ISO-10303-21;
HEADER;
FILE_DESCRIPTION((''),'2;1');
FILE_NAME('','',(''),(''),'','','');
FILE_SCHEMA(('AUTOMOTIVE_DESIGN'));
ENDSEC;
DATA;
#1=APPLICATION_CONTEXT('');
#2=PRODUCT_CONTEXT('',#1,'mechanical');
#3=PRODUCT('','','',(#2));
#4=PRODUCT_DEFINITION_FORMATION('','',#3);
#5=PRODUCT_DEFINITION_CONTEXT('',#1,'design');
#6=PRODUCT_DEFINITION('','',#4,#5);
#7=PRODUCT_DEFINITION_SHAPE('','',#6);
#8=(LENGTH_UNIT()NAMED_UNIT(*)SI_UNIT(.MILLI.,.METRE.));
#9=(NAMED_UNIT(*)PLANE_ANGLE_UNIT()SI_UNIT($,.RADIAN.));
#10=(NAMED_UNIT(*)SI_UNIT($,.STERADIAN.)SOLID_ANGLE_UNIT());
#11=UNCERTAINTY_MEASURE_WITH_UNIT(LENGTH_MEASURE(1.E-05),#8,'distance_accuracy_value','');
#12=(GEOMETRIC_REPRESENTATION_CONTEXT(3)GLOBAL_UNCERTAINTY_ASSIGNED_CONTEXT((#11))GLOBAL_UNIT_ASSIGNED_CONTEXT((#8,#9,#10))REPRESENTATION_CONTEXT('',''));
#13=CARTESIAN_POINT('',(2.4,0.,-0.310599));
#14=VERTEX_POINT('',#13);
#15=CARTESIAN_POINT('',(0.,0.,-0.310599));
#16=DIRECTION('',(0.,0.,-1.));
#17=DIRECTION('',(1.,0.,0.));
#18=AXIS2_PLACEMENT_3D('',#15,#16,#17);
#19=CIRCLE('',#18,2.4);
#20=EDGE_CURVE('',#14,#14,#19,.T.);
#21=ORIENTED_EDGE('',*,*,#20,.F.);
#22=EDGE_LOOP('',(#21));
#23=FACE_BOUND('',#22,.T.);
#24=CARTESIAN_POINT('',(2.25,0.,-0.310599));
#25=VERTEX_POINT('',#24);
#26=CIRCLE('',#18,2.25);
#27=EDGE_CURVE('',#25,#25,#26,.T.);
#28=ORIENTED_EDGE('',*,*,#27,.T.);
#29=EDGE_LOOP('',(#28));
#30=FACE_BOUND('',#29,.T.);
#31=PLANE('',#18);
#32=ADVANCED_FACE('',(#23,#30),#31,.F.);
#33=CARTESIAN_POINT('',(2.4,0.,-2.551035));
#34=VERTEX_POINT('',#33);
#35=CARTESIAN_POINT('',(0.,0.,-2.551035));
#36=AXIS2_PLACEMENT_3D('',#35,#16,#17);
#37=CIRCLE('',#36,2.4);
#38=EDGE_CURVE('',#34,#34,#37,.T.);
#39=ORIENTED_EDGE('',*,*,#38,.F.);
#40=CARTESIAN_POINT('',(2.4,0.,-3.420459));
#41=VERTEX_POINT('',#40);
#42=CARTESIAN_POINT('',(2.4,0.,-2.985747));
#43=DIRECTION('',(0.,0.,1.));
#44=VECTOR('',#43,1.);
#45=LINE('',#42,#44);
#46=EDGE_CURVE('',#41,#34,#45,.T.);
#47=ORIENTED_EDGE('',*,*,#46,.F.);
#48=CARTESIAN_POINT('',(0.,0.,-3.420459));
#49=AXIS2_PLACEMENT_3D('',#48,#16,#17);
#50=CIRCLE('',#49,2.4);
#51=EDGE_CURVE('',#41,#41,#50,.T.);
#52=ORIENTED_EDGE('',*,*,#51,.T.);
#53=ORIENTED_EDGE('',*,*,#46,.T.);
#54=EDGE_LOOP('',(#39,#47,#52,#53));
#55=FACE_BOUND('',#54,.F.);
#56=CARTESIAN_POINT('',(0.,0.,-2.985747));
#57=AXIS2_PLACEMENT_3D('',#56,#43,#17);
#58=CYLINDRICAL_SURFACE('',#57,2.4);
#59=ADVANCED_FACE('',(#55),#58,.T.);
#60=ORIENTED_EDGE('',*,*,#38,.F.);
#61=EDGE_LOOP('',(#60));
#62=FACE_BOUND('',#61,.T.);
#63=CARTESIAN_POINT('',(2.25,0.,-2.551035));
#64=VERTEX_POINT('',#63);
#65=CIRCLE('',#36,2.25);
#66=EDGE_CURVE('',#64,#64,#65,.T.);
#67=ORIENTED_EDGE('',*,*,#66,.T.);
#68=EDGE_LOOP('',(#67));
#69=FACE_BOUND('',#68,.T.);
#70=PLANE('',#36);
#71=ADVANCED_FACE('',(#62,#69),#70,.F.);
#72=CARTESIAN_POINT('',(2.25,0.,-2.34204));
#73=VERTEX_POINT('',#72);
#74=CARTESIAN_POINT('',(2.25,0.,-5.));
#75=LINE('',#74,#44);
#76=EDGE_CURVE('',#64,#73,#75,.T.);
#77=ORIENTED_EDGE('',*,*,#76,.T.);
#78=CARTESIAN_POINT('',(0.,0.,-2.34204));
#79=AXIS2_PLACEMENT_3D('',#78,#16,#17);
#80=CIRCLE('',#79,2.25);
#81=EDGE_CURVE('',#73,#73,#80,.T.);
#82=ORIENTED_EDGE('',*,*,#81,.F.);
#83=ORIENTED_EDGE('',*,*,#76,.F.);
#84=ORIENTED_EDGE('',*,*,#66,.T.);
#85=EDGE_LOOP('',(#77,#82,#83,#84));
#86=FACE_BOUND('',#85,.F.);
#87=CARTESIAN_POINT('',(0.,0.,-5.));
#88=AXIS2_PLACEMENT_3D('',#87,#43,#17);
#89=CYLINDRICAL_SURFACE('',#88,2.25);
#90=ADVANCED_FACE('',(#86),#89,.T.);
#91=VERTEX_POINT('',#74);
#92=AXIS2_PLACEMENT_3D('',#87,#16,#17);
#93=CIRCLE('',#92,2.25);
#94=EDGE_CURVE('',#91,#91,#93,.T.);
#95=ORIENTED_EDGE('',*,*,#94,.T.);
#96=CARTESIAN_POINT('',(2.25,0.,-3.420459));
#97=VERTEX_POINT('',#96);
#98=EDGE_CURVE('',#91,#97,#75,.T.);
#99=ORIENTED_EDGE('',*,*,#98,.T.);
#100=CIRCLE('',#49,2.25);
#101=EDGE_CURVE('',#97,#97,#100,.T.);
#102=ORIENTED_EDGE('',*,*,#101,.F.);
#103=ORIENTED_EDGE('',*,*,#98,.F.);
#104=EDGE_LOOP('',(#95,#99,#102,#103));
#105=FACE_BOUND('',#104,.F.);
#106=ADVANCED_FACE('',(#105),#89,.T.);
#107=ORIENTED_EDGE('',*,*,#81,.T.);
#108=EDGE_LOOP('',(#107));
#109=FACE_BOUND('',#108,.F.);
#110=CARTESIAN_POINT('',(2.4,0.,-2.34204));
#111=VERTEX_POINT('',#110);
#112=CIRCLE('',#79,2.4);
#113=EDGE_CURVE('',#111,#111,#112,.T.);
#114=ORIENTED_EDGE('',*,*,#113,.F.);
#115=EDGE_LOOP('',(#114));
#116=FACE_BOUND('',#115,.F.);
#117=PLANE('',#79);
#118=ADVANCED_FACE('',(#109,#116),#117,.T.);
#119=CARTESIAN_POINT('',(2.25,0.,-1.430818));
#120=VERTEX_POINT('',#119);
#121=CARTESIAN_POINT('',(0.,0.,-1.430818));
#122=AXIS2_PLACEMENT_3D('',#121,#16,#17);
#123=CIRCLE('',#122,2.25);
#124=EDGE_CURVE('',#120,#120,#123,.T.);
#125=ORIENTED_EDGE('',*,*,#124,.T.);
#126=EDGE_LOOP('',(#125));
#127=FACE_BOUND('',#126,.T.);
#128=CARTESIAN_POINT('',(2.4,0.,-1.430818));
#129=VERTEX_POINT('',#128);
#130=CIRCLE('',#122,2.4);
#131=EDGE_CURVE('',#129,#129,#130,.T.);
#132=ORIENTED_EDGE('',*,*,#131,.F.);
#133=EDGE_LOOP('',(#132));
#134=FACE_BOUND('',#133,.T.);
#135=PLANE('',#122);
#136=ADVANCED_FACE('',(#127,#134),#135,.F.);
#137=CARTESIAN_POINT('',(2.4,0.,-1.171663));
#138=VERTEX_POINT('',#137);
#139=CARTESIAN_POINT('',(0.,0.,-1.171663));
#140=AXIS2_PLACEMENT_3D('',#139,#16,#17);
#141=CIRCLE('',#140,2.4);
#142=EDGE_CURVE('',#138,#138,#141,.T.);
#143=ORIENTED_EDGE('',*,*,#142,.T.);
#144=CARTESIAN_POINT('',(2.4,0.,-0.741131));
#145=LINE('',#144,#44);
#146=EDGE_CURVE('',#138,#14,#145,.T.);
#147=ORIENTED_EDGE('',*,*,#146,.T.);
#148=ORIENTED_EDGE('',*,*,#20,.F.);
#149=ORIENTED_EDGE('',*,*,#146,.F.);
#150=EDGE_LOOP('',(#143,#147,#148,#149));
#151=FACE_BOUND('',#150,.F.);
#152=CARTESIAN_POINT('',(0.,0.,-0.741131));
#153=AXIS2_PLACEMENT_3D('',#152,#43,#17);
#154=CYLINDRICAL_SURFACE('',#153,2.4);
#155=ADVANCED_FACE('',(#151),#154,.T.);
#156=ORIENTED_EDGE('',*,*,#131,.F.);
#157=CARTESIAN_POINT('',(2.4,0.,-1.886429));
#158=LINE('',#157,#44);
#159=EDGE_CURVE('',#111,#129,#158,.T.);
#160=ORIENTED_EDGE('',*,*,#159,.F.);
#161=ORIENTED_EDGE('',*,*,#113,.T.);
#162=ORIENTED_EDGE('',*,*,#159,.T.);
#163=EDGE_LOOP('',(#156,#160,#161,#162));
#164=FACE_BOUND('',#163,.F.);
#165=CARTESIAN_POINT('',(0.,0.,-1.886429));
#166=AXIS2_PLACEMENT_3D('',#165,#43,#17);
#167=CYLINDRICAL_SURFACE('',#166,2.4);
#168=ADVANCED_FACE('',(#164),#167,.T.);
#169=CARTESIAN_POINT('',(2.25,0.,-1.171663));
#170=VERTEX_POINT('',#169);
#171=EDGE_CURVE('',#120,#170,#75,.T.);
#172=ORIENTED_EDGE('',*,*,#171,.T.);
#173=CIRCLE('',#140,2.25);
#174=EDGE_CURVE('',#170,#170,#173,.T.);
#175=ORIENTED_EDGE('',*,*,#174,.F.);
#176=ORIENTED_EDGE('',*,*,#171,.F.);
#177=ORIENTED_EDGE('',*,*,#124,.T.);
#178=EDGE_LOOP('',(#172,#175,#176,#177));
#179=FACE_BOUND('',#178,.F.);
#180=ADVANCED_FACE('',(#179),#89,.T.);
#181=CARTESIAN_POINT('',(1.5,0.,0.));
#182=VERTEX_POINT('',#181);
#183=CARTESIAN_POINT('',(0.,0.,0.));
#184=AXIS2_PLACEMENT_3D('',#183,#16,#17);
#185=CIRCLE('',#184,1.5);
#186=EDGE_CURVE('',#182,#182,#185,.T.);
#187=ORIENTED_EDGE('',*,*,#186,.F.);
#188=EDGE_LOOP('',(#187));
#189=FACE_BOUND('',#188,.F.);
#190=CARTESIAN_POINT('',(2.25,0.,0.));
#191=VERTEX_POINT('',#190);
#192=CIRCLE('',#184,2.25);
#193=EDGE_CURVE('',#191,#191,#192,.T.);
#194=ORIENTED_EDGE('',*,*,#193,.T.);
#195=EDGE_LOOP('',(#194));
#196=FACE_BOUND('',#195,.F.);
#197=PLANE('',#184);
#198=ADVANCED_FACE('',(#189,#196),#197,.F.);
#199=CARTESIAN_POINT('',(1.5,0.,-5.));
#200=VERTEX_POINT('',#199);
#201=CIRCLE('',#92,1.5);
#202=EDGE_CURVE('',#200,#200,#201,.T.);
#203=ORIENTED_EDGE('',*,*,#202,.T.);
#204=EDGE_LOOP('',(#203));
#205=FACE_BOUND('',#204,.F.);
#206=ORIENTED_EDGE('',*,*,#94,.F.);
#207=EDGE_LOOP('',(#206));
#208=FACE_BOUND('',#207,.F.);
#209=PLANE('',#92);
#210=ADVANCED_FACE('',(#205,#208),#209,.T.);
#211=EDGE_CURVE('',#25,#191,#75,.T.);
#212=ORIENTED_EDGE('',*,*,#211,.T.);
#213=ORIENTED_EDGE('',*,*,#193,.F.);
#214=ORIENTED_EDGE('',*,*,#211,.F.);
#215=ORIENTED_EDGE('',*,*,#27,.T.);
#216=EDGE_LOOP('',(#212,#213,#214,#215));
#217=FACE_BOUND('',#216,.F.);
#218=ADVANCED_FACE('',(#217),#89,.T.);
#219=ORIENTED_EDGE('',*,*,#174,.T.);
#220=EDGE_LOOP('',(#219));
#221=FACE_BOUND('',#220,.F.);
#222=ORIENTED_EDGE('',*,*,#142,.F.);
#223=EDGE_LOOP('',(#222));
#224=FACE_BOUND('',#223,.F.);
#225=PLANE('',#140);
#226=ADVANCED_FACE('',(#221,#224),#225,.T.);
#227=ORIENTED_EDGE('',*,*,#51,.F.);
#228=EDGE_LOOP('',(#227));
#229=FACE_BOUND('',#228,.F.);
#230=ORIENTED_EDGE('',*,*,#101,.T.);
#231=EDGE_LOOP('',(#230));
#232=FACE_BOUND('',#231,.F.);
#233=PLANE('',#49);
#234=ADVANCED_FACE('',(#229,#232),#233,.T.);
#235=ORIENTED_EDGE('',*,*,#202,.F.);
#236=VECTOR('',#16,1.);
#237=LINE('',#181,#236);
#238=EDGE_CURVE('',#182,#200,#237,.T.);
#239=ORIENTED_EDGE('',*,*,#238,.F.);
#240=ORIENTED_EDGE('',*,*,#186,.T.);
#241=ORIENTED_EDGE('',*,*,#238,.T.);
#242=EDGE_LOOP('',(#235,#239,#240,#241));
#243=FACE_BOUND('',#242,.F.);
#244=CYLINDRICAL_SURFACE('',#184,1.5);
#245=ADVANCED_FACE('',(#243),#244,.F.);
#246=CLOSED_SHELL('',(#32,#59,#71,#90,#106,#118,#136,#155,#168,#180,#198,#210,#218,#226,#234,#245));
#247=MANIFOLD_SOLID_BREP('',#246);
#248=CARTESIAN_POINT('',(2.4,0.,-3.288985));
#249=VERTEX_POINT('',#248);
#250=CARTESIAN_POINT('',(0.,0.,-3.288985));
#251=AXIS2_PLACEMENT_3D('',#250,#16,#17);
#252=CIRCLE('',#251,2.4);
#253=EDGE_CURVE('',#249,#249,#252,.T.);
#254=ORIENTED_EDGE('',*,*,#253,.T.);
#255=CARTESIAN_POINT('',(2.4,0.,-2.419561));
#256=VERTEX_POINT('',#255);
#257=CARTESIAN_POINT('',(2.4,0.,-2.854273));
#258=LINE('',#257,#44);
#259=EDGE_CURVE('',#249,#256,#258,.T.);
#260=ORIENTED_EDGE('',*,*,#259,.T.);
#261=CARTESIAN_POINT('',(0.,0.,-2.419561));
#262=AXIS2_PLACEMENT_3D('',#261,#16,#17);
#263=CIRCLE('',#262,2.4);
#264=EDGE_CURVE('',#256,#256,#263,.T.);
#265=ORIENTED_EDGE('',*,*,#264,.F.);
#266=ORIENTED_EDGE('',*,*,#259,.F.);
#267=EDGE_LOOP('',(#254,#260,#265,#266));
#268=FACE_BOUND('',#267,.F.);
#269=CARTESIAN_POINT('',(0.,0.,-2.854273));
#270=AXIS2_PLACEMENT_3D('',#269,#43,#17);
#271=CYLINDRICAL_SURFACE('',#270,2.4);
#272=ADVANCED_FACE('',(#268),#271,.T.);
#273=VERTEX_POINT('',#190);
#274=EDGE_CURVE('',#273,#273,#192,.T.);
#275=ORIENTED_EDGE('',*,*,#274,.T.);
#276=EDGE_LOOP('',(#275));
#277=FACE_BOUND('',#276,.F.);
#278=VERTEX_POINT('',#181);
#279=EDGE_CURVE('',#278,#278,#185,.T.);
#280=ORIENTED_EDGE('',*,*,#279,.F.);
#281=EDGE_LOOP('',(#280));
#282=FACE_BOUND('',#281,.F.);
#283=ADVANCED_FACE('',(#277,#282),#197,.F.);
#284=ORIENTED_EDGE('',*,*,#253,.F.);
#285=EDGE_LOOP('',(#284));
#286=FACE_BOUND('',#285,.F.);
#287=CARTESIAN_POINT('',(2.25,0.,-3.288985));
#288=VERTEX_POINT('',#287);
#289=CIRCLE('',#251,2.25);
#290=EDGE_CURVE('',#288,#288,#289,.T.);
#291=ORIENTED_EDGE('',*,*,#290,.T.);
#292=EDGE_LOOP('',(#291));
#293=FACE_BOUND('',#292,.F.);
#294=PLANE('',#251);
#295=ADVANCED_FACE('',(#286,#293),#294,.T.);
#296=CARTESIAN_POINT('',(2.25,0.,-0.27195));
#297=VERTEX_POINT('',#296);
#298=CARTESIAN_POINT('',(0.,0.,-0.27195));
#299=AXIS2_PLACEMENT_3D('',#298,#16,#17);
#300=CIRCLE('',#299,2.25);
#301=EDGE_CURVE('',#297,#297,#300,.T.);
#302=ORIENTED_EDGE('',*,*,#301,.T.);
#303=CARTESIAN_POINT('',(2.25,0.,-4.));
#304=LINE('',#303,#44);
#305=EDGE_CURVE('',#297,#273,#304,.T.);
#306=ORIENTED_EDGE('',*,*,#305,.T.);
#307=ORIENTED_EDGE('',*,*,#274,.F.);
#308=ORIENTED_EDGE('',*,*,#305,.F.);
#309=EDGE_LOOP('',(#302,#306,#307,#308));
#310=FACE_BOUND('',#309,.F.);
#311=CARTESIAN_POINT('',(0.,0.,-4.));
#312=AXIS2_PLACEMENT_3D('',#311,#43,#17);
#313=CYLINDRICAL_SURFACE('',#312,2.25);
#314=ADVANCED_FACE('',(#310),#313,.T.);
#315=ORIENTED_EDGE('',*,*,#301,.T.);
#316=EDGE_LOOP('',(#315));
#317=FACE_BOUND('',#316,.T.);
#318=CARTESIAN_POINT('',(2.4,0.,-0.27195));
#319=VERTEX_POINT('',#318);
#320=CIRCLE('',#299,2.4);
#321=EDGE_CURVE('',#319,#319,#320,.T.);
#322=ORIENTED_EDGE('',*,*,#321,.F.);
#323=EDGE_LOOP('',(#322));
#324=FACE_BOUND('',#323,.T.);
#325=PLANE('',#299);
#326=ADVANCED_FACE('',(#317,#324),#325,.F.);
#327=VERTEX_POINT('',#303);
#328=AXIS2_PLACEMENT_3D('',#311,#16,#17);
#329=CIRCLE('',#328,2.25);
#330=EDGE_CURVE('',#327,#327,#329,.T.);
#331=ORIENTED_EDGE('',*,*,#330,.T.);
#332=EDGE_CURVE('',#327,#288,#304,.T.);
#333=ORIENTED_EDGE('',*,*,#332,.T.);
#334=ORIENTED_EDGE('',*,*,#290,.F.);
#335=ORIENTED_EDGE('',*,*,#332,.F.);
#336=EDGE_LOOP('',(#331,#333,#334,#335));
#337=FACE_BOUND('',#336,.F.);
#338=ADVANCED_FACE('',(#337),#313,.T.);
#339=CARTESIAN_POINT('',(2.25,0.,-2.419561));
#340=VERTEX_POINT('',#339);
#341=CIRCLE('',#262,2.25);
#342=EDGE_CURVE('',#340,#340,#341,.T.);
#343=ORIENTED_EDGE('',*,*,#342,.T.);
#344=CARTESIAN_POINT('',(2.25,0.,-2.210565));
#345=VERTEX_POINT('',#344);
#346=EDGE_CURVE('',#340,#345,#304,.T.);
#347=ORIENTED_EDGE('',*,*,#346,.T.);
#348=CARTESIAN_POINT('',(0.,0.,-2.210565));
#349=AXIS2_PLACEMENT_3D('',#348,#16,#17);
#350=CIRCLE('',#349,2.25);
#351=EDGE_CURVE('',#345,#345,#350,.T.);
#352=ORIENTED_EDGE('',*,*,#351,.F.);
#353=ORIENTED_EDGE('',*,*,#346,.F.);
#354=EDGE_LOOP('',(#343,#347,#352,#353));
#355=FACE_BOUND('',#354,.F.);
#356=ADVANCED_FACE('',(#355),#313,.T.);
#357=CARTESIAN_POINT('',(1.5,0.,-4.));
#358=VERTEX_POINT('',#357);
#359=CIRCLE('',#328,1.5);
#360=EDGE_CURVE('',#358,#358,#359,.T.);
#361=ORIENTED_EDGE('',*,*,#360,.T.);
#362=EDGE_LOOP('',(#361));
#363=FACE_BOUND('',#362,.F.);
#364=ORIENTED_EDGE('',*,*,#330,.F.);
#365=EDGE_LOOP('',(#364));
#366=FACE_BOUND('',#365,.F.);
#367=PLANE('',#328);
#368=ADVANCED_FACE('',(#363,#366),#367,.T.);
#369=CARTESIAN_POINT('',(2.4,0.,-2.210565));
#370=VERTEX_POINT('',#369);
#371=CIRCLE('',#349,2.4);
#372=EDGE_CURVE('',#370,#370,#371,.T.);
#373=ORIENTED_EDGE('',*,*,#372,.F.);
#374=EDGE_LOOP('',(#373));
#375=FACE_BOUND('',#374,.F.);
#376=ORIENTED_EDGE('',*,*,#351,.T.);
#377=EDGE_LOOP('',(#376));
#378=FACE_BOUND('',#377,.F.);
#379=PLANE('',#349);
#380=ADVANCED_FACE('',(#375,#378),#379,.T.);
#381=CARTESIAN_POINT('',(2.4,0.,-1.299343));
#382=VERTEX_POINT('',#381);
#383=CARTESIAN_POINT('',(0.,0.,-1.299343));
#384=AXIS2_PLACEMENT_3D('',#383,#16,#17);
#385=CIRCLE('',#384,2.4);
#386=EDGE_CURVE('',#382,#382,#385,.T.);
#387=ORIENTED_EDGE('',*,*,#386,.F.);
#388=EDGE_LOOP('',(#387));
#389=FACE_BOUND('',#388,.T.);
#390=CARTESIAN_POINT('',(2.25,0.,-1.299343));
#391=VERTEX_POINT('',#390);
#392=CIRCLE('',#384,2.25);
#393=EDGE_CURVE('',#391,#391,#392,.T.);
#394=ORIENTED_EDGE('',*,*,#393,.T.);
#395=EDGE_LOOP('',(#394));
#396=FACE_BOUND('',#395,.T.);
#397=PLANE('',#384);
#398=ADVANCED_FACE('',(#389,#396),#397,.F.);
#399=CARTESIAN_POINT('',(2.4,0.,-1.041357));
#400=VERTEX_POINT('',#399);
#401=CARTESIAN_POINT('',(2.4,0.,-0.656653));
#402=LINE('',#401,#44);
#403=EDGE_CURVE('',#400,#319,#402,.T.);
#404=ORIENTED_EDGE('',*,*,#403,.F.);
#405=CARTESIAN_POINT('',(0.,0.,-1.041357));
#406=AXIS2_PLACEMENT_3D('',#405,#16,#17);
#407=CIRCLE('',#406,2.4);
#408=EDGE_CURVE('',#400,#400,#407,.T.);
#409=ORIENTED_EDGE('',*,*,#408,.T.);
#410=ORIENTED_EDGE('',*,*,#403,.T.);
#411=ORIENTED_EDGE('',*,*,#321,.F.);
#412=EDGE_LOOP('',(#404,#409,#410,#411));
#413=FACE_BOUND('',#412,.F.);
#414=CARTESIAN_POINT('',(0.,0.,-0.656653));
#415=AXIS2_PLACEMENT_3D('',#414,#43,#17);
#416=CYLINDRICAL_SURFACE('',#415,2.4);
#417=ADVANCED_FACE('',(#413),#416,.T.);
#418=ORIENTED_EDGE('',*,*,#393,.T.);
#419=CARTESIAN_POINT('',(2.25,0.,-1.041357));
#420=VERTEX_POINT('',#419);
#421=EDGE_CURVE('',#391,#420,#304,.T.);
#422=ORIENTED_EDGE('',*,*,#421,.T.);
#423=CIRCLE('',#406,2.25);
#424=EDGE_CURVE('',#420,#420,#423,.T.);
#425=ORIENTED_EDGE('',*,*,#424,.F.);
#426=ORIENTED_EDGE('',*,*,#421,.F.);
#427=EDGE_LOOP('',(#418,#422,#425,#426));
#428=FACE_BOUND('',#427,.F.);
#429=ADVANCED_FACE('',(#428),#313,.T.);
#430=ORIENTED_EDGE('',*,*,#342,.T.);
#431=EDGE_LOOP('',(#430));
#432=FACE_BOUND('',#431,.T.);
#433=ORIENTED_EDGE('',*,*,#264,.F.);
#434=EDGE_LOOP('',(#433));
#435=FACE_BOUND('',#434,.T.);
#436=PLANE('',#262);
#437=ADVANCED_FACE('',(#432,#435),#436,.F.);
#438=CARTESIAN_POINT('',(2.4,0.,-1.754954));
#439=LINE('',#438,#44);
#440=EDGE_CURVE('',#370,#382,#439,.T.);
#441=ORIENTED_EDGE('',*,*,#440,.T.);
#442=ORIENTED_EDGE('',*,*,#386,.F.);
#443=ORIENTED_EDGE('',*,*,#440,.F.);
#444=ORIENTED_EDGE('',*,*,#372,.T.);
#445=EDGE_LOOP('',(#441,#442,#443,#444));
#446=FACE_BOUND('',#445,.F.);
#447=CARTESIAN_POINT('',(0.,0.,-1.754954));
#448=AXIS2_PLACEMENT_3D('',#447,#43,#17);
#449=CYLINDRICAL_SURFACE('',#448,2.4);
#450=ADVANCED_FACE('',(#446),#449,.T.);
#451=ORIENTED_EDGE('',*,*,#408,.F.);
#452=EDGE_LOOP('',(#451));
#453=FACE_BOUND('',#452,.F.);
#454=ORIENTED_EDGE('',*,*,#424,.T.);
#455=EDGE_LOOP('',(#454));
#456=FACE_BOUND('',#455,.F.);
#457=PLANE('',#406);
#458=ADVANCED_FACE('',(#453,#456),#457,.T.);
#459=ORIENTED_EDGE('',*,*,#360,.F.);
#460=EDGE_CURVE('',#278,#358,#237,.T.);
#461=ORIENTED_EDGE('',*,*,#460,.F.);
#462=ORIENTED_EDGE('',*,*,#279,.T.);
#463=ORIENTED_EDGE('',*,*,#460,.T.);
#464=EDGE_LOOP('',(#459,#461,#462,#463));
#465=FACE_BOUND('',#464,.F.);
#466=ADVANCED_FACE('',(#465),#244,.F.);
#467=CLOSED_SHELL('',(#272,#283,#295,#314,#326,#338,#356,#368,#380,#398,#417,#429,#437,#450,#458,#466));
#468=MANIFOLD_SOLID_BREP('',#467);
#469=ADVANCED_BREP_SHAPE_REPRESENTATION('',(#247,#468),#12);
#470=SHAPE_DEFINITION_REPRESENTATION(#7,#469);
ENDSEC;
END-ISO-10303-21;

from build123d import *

# Parameters (mm, degrees)
F0_W   = 0.15
F0_H   = 0.861064
F0_H_2 = 0.869423
F0_H_3 = 0.911222
F2_W   = 0.15
F2_H   = 0.769407
F2_H_2 = 0.869423
F2_H_3 = 0.911223


with BuildPart() as f1:
    # F0 (on Front) → F1 (revolve)
    with BuildSketch(Plane.XZ):
        Polygon((2.25, 0), (1.5, 0), (1.5, -5), (2.25, -5), (2.25, -3.420459), (2.25, -2.551036), (2.25, -2.34204), (2.25, -1.430818), (2.25, -1.171663), (2.25, -0.310599), align=None)
        with Locations((2.325, -0.741131)):
            Rectangle(F0_W, F0_H)
        with Locations((2.325, -2.985747)):
            Rectangle(F0_W, F0_H_2)
        with Locations((2.325, -1.886429)):
            Rectangle(F0_W, F0_H_3)
    revolve(axis=Axis((0, 0, -0.518953), (0, 0, -1)))


with BuildPart() as f3:
    # F2 (on Front) → F3 (revolve)
    with BuildSketch(Plane.XZ):
        Polygon((2.25, 0), (1.5, 0), (1.5, -4), (2.25, -4), (2.25, -3.288985), (2.25, -2.419562), (2.25, -2.210566), (2.25, -1.299343), (2.25, -1.041357), (2.25, -0.27195), align=None)
        with Locations((2.325, -0.656653)):
            Rectangle(F2_W, F2_H)
        with Locations((2.325, -2.854273)):
            Rectangle(F2_W, F2_H_2)
        with Locations((2.325, -1.754954)):
            Rectangle(F2_W, F2_H_3)
    revolve(axis=Axis((0, 0, -2.329817), (0, 0, -1)))


solid = Compound([f1.part, f3.part])
